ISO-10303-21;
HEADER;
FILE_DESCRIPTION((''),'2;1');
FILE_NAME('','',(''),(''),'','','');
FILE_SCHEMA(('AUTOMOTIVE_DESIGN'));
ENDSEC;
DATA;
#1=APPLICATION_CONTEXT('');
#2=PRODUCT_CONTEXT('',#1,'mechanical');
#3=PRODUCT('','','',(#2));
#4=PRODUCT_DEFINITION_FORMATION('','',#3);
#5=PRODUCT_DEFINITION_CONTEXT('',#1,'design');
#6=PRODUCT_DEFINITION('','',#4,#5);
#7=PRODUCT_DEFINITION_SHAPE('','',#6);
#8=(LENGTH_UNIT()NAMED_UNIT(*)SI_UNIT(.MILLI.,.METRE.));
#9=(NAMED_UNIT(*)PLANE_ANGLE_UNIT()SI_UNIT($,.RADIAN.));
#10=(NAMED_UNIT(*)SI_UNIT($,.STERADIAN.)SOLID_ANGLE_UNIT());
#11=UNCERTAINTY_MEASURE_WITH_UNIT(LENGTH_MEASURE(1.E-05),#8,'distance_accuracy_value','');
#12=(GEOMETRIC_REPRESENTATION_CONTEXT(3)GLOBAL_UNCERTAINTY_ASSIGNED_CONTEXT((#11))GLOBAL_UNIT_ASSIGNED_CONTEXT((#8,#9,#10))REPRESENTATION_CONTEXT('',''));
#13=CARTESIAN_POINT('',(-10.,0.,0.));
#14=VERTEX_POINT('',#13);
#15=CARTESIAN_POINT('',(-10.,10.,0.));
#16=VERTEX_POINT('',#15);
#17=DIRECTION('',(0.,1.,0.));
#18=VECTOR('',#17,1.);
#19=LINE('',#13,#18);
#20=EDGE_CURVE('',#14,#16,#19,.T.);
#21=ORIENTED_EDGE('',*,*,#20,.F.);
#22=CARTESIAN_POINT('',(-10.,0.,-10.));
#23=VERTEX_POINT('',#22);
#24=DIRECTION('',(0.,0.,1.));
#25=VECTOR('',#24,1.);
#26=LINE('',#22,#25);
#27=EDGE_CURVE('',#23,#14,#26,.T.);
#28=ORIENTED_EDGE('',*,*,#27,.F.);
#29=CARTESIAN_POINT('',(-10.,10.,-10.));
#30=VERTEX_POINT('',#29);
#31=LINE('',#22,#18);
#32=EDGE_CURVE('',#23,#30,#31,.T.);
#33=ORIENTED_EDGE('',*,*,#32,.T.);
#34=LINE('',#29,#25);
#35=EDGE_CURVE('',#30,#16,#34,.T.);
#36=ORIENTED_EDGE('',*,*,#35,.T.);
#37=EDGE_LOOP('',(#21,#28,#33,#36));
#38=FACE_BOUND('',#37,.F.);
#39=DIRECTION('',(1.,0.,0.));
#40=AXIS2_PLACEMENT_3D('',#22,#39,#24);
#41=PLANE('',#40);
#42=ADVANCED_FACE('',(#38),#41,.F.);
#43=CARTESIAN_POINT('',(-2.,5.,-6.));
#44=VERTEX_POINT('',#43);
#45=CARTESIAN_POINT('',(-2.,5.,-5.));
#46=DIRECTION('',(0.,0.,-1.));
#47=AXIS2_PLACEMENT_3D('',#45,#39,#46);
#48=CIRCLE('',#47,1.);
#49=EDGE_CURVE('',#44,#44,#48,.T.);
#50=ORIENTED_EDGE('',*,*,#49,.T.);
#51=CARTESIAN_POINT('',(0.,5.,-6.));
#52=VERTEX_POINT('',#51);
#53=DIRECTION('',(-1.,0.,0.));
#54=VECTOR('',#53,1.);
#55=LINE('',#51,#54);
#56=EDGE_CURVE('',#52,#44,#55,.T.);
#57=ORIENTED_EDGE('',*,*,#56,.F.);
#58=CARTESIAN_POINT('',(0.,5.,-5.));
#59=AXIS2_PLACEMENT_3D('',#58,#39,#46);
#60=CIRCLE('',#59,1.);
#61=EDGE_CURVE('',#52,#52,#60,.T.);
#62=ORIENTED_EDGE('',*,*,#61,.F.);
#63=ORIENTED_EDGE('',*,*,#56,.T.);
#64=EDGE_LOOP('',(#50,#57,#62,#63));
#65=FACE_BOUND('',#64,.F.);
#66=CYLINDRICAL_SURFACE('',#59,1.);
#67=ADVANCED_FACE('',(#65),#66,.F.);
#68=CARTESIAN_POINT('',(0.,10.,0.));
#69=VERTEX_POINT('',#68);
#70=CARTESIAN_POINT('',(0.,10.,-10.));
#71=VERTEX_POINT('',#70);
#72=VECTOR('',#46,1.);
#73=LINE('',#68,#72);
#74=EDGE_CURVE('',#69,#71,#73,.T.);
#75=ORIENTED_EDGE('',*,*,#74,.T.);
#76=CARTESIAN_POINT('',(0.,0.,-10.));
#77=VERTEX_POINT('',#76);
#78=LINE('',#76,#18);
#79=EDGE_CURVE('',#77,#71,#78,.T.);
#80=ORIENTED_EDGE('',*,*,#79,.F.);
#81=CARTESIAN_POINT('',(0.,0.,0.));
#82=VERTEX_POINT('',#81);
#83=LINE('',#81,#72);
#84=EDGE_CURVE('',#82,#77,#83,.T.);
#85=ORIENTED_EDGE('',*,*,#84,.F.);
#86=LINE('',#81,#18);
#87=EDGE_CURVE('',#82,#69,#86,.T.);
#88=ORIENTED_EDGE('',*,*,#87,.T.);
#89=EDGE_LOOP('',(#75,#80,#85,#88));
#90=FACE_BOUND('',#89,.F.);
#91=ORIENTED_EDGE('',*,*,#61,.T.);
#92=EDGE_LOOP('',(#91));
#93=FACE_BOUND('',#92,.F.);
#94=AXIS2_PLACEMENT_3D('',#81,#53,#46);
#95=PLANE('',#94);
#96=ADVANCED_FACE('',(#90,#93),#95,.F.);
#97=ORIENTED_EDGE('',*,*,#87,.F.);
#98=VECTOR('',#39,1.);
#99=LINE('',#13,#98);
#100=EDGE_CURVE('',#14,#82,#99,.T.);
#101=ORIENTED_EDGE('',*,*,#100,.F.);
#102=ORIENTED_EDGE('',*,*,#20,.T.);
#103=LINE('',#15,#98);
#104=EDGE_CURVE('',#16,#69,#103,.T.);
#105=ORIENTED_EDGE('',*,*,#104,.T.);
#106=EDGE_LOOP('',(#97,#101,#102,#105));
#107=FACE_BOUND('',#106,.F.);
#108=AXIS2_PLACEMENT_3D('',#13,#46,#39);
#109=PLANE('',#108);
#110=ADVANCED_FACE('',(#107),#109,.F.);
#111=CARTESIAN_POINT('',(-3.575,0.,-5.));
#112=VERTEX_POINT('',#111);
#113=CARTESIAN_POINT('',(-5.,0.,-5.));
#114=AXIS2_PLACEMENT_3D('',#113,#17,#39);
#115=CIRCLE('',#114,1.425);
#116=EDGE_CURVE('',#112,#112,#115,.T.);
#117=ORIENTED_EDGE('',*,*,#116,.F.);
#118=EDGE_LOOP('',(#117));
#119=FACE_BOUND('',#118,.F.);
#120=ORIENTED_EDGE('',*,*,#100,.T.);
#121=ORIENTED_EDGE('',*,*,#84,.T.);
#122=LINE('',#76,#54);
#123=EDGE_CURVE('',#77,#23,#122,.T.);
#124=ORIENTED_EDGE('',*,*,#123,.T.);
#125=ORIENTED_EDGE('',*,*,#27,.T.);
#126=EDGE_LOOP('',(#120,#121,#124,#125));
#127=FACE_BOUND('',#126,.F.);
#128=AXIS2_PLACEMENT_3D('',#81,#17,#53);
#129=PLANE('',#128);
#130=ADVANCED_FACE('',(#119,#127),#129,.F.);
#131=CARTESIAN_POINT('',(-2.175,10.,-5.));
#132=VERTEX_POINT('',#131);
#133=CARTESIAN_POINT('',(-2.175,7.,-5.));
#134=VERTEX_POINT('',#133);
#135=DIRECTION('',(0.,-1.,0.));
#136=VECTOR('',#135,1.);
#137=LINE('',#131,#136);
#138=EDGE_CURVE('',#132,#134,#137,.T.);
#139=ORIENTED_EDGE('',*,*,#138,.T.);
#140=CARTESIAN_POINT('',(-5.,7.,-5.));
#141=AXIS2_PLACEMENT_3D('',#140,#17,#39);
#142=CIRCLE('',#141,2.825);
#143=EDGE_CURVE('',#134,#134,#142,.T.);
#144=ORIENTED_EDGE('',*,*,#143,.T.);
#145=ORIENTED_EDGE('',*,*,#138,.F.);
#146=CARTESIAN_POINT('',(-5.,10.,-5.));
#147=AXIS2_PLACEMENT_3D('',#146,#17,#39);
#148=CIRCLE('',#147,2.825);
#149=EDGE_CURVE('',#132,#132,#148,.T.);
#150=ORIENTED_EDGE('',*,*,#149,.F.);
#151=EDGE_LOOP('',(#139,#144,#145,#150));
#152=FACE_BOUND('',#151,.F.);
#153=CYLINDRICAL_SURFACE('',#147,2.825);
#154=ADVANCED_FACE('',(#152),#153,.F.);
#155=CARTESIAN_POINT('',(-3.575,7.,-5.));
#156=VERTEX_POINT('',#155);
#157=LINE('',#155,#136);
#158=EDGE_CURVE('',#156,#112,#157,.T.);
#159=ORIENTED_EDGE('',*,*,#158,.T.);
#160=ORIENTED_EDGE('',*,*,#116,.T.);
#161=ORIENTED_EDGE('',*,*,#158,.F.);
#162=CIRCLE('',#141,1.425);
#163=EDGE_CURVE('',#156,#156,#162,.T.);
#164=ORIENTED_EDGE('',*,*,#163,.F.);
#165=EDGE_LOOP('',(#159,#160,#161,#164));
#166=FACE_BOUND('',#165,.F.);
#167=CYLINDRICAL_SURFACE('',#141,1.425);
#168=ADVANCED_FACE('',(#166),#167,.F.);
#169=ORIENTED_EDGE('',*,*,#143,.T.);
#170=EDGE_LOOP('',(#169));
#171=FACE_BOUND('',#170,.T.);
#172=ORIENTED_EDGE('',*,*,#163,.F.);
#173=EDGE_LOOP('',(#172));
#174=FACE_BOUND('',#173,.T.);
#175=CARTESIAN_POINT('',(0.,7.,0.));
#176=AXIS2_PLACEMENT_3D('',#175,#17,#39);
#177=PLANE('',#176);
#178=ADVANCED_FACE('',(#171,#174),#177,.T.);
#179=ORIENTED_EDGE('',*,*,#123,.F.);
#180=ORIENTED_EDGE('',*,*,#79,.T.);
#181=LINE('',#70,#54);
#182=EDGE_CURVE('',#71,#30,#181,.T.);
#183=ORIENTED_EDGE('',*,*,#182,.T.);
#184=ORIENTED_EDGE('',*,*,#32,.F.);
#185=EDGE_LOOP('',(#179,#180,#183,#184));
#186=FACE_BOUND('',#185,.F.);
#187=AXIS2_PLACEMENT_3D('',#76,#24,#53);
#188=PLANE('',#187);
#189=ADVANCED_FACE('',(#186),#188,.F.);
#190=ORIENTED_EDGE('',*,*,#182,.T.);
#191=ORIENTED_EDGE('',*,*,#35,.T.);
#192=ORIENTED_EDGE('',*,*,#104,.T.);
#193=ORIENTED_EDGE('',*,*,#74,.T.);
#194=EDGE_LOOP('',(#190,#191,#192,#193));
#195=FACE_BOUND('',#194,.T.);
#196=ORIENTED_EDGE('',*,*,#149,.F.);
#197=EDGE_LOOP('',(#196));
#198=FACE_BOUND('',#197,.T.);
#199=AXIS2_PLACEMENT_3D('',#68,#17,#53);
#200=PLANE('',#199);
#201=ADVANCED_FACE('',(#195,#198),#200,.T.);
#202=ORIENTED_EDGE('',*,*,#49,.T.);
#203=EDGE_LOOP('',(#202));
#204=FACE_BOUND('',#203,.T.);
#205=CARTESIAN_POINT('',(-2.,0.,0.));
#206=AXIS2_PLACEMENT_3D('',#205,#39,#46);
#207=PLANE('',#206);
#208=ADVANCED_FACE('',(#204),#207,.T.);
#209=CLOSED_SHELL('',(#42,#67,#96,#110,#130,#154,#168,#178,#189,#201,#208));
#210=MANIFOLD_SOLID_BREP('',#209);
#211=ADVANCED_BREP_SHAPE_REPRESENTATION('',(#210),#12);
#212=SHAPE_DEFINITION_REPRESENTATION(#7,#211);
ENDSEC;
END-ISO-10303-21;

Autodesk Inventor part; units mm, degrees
ref_plane "YZ Plane" through (0, 0, 0) normal (1, 0, 0) x (0, 1, 0)
ref_plane "XZ Plane" through (0, 0, 0) normal (0, 1, 0) x (-1, 0, 0)
ref_plane "XY Plane" through (0, 0, 0) normal (0, 0, 1) x (1, 0, 0)
sketch "Sketch1" plane through (0, 0, 0) normal (0, 1, 0) x (-1, 0, 0)
  line L0 (10, 0) -> (0, 0)
  line L1 (0, 0) -> (0, -10)
  line L2 (0, -10) -> (10, -10)
  line L3 (10, -10) -> (10, 0)
  dimension "d0" = 10
  dimension "d1" = 10
extrude "Extrusion1" add sketch "Sketch1" along normal blind 10
sketch "Sketch2" plane through (0, 10, 0) normal (0, 1, 0) x (1, 0, 0)
  line L0 (-10, 0) -> (0, 0) construction
  line L1 (0, 0) -> (0, 10) construction
  line L2 (0, 10) -> (-10, 10) construction
  line L3 (-10, 10) -> (-10, 0) construction
  circle A0 centre (-5, 5) radius 2.825
  dimension "d4" = 5.65
extrude "Extrusion2" cut sketch "Sketch2" against normal blind 3
sketch "Sketch3" plane through (-5, 7, -5) normal (0, 1, 0) x (1, 0, 0)
  circle A0 centre (0, 0) radius 1.425
  point P0 (5, -5)
  dimension "d7" = 2.85
extrude "Extrusion3" cut sketch "Sketch3" against normal through all
sketch "Sketch4" plane through (0, 0, 0) normal (1, 0, 0) x (0, 0, -1)
  line L0 (0, 0) -> (10, 0) construction
  line L1 (10, 0) -> (10, 10) construction
  line L2 (0, 10) -> (10, 10) construction
  line L3 (0, 0) -> (0, 10) construction
  circle A0 centre (5, 5) radius 1 construction
  circle A1 centre (5, 5) radius 1
  dimension "d10" = 2
extrude "Extrusion4" cut sketch "Sketch4" against normal blind 2
properties part number "cubo_calibracion_tornillo_1cm"
